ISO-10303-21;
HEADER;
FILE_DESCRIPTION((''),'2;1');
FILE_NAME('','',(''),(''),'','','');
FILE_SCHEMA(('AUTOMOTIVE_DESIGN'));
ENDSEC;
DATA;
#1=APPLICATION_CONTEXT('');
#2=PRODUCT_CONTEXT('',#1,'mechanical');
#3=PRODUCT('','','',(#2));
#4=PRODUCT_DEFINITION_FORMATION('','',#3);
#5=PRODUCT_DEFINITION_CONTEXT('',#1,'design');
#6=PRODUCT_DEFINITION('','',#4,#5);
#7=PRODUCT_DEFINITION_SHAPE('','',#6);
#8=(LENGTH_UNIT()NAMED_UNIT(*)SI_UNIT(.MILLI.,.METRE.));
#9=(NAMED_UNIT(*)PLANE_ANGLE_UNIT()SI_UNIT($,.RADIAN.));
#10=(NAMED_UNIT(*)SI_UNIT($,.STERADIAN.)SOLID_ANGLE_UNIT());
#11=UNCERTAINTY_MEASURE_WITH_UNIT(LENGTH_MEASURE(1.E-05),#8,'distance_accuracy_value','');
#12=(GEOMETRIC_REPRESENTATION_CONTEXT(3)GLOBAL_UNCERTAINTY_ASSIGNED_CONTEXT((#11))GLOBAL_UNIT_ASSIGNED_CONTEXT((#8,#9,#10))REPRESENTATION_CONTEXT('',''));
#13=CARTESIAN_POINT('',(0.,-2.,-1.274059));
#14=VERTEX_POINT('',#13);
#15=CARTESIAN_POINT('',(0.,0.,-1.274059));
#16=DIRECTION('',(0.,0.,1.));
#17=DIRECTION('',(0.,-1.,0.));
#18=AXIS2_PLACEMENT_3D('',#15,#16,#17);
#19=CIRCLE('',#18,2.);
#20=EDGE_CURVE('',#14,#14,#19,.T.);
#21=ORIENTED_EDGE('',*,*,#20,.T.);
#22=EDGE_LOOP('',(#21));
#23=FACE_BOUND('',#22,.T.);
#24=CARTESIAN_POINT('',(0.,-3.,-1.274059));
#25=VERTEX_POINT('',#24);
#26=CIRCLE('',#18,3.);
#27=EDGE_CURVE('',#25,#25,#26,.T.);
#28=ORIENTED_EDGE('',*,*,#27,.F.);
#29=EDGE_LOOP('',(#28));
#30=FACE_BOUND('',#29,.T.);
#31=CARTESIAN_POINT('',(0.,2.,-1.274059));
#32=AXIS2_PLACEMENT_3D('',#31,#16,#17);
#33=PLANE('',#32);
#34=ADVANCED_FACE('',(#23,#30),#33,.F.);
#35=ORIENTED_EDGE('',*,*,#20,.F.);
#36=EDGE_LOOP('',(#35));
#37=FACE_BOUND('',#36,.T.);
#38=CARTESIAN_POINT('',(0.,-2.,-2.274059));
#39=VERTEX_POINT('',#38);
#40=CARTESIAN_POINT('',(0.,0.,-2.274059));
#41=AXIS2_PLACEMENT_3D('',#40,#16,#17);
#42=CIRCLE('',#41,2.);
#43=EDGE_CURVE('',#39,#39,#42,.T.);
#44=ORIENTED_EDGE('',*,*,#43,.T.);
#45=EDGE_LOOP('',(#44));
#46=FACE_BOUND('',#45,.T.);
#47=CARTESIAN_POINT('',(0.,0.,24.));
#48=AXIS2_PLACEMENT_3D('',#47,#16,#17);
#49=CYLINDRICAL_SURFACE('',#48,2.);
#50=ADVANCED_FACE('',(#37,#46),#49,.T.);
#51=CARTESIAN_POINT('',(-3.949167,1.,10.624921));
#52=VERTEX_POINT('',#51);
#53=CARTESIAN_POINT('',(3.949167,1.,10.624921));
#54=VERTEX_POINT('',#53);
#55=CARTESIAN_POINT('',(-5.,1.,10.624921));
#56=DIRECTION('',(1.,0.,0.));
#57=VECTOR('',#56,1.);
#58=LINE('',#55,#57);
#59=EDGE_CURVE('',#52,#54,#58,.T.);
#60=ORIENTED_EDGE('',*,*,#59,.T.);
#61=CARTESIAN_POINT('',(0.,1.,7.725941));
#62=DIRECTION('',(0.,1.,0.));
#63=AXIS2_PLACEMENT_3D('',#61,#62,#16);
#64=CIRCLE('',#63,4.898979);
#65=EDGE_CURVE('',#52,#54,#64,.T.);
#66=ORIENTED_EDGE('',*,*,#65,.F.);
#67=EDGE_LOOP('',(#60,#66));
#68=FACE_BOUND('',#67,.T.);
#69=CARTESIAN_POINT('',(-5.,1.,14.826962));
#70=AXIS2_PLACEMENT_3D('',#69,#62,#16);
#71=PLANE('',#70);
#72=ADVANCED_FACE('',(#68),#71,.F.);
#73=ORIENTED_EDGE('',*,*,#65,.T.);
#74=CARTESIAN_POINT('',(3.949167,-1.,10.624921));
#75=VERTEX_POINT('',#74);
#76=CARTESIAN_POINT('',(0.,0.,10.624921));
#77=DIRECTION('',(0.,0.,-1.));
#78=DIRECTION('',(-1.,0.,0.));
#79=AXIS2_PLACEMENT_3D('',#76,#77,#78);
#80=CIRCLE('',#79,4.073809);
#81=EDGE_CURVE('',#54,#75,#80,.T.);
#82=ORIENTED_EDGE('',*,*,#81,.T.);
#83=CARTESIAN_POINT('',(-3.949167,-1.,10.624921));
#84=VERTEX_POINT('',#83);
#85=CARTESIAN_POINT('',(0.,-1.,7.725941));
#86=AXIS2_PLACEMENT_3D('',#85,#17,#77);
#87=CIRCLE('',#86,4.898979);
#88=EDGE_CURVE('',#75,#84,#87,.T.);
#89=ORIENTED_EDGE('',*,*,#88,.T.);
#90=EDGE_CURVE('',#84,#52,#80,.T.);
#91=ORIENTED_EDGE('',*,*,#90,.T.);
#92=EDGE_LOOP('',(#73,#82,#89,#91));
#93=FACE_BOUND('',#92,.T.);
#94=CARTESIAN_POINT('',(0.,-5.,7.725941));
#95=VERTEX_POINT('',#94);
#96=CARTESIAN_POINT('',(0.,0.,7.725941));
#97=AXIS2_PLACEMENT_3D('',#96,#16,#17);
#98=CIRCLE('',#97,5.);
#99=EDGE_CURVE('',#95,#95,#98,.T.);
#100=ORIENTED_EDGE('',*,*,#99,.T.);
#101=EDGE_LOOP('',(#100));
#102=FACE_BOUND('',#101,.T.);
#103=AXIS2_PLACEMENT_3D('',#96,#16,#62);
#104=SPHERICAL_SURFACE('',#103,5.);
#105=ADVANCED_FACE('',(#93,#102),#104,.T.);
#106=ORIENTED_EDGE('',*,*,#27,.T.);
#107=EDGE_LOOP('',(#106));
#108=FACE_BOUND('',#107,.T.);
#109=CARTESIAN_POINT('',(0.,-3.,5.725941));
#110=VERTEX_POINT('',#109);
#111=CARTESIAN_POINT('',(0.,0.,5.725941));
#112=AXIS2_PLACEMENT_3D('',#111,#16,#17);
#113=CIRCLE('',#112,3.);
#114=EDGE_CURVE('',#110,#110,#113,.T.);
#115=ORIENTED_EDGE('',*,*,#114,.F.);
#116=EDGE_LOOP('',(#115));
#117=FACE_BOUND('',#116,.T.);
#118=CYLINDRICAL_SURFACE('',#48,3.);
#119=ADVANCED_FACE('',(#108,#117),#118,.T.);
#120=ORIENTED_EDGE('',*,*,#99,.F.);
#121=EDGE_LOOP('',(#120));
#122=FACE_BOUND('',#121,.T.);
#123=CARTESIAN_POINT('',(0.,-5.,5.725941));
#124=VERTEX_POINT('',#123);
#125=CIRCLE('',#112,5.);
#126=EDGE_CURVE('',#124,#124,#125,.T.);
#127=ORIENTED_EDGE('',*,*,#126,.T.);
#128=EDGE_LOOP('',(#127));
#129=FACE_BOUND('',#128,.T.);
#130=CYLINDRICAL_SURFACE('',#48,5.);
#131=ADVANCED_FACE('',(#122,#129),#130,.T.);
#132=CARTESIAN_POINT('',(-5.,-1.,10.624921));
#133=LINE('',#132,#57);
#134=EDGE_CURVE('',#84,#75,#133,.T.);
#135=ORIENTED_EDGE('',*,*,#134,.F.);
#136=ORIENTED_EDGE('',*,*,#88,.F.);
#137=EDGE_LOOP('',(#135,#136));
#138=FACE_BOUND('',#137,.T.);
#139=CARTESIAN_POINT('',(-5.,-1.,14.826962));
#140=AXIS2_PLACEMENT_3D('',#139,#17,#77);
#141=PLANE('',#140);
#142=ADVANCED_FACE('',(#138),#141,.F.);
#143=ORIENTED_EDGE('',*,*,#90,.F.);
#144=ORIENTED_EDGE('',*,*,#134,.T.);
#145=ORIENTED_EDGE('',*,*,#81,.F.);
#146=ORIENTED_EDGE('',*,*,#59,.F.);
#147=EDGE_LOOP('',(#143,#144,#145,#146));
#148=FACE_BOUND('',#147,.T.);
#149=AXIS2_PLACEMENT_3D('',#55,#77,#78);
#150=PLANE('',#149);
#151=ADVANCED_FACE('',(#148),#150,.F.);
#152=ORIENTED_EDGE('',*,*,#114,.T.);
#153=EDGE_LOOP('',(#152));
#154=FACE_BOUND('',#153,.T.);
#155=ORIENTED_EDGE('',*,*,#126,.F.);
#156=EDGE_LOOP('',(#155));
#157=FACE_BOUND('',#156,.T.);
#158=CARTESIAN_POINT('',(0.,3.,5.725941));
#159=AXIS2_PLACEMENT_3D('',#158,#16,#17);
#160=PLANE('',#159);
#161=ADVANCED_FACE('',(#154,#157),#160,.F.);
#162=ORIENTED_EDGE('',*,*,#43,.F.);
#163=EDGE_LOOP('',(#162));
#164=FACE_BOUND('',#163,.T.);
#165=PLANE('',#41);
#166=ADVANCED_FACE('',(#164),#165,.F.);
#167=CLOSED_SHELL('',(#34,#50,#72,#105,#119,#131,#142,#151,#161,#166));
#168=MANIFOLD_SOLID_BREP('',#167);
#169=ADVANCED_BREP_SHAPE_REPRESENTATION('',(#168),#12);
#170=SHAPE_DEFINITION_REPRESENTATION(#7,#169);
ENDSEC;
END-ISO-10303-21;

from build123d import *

# Parameters (mm, degrees)
CUT_EXTRUDE1_DEPTH      = 15.558488421
CUT_EXTRUDE1_DEPTH_BACK = 15.558488421
SKETCH2_W               = 4.202041029
SKETCH2_H               = 2


with BuildPart() as part:
    # Sketch1 → Revolve1 (revolve)
    with BuildSketch(Plane(origin=(0, 0, 0), x_dir=(0, 0, -1), z_dir=(1, 0, 0)), mode=Mode.PRIVATE) as revolve1_sk:
        with BuildLine():
            Line((2.274058577, 0), (2.274058577, 2))
            Line((2.274058577, 2), (1.274058577, 2))
            Line((1.274058577, 2), (1.274058577, 3))
            Line((1.274058577, 3), (-5.725941423, 3))
            Line((-5.725941423, 3), (-5.725941423, 5))
            Line((-5.725941423, 5), (-7.725941423, 5))
            ThreePointArc((-7.725941423, 5), (-11.261475329, 3.535533906), (-12.725941423, 0))
            Line((-12.725941423, 0), (2.274058577, 0))
        make_face()
    revolve(revolve1_sk.sketch.rotate(Axis((0, 0, 24), (0, 0, -1)), 180), axis=Axis((0, 0, 24), (0, 0, -1)))

    # Sketch2 → Cut-Extrude1 (cut, two sides: drawn at the far end of the back side and taken through both)
    with BuildSketch(Plane(origin=(0, 0, 0), x_dir=(0, 0, -1), z_dir=(1, 0, 0)).offset(-CUT_EXTRUDE1_DEPTH_BACK)):
        with Locations((-12.725941423, 0)):
            Rectangle(SKETCH2_W, SKETCH2_H)
    extrude(amount=CUT_EXTRUDE1_DEPTH + CUT_EXTRUDE1_DEPTH_BACK, mode=Mode.SUBTRACT)


solid = part.part
